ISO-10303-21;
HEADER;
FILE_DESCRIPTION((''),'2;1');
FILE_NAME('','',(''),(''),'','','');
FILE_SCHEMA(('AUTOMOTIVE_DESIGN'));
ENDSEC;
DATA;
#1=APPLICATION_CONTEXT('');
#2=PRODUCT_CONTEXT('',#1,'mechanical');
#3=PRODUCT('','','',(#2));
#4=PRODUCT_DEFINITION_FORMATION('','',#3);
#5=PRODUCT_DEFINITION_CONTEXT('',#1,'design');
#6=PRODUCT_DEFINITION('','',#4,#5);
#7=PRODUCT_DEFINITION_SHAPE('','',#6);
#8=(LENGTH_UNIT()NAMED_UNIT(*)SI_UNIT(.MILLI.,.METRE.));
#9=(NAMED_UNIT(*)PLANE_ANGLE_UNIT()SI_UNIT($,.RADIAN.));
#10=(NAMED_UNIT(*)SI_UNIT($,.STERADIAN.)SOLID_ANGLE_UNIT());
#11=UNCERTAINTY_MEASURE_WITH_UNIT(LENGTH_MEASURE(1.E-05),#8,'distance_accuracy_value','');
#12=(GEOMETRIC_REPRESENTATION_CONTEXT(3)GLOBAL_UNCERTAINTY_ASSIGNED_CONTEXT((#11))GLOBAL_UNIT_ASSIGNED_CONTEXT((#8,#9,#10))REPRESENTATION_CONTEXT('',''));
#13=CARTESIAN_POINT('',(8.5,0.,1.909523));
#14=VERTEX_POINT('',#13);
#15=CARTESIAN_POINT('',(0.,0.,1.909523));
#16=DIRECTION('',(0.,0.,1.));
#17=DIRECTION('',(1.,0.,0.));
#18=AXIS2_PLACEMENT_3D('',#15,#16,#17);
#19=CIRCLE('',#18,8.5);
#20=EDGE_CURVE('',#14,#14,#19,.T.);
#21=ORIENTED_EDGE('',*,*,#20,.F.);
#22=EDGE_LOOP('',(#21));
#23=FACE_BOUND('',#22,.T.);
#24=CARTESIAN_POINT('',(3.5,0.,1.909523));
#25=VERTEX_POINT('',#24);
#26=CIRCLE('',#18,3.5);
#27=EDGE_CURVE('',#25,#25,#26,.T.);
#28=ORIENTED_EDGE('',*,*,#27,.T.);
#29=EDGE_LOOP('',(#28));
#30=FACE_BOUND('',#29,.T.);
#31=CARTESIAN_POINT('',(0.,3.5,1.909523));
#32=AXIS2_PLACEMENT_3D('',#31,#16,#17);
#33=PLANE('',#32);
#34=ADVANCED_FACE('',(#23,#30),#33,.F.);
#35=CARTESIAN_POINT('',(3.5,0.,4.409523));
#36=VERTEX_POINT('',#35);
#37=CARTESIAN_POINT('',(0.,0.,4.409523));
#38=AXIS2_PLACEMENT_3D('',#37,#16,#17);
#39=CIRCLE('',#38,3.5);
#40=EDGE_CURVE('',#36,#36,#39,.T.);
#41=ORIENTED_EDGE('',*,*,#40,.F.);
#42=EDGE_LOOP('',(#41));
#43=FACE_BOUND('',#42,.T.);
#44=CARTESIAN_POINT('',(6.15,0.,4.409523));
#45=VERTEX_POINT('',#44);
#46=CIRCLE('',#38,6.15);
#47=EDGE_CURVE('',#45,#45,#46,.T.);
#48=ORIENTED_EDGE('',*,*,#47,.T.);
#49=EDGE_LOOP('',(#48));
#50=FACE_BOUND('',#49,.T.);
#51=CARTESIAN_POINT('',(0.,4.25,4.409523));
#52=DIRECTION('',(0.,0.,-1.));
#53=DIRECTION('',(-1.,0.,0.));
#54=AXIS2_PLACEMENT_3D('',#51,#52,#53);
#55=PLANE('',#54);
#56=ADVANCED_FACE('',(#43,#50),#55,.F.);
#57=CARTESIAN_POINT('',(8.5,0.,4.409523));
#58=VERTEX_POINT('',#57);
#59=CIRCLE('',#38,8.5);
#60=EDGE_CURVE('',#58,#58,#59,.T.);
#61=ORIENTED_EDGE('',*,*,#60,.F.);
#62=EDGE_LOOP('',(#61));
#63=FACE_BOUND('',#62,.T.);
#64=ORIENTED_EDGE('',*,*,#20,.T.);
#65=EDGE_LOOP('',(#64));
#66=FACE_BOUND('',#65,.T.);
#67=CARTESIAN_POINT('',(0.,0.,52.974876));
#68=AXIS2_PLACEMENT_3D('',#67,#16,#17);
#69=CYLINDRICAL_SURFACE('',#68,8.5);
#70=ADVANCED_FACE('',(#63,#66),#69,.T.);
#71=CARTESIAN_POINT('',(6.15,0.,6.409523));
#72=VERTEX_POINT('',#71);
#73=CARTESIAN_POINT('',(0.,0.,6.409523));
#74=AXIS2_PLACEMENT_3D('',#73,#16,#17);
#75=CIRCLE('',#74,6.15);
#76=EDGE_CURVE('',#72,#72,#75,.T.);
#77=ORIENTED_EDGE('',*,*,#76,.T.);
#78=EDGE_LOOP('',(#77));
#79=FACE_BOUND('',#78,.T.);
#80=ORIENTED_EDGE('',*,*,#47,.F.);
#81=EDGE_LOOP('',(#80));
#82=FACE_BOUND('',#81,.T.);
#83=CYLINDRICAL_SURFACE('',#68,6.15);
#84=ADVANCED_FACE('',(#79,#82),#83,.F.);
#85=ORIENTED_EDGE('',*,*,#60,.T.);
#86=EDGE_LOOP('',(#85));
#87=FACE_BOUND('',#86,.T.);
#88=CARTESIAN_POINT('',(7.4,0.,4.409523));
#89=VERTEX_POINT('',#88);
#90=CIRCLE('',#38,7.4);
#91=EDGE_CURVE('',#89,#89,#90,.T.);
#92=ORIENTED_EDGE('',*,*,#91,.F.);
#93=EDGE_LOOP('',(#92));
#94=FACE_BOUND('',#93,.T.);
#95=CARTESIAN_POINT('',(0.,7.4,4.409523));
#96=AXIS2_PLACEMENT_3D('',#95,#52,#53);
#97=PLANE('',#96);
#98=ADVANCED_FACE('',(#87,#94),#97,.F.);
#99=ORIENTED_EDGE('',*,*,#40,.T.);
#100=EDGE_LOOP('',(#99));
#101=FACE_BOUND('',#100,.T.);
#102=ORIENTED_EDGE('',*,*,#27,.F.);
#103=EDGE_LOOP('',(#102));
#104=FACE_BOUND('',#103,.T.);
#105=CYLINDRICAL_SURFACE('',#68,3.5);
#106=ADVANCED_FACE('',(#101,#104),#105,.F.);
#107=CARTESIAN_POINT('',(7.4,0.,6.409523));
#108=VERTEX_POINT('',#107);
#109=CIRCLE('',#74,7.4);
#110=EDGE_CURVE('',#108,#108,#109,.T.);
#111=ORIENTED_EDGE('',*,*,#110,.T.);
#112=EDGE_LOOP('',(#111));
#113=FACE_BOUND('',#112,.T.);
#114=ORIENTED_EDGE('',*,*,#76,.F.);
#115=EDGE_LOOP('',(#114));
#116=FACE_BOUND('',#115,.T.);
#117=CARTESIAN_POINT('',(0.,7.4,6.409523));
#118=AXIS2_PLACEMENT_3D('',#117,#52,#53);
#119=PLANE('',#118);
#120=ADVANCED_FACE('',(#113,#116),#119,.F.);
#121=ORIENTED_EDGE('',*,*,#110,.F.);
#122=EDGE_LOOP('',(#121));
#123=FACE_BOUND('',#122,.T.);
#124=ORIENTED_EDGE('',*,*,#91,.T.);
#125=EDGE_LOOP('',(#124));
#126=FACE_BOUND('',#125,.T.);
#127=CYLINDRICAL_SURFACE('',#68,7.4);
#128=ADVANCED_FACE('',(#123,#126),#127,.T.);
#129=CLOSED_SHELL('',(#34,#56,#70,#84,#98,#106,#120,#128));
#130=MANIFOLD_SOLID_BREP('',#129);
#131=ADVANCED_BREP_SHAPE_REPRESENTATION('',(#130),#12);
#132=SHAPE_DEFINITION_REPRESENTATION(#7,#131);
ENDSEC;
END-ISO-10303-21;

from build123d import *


with BuildPart() as part:
    # Sketch1 → Revolve1 (revolve)
    with BuildSketch(Plane(origin=(0, 0, 0), x_dir=(0, 0, -1), z_dir=(1, 0, 0))):
        Polygon((-4.409523218, 7.4), (-4.409523218, 8.5), (-1.909523218, 8.5), (-1.909523218, 3.5), (-4.409523218, 3.5), (-4.409523218, 4.25), (-4.409523218, 6.15), (-6.409523218, 6.15), (-6.409523218, 7.4), align=None)
    revolve(axis=Axis((0, 0, 52.974875508), (0, 0, -1)))


solid = part.part
